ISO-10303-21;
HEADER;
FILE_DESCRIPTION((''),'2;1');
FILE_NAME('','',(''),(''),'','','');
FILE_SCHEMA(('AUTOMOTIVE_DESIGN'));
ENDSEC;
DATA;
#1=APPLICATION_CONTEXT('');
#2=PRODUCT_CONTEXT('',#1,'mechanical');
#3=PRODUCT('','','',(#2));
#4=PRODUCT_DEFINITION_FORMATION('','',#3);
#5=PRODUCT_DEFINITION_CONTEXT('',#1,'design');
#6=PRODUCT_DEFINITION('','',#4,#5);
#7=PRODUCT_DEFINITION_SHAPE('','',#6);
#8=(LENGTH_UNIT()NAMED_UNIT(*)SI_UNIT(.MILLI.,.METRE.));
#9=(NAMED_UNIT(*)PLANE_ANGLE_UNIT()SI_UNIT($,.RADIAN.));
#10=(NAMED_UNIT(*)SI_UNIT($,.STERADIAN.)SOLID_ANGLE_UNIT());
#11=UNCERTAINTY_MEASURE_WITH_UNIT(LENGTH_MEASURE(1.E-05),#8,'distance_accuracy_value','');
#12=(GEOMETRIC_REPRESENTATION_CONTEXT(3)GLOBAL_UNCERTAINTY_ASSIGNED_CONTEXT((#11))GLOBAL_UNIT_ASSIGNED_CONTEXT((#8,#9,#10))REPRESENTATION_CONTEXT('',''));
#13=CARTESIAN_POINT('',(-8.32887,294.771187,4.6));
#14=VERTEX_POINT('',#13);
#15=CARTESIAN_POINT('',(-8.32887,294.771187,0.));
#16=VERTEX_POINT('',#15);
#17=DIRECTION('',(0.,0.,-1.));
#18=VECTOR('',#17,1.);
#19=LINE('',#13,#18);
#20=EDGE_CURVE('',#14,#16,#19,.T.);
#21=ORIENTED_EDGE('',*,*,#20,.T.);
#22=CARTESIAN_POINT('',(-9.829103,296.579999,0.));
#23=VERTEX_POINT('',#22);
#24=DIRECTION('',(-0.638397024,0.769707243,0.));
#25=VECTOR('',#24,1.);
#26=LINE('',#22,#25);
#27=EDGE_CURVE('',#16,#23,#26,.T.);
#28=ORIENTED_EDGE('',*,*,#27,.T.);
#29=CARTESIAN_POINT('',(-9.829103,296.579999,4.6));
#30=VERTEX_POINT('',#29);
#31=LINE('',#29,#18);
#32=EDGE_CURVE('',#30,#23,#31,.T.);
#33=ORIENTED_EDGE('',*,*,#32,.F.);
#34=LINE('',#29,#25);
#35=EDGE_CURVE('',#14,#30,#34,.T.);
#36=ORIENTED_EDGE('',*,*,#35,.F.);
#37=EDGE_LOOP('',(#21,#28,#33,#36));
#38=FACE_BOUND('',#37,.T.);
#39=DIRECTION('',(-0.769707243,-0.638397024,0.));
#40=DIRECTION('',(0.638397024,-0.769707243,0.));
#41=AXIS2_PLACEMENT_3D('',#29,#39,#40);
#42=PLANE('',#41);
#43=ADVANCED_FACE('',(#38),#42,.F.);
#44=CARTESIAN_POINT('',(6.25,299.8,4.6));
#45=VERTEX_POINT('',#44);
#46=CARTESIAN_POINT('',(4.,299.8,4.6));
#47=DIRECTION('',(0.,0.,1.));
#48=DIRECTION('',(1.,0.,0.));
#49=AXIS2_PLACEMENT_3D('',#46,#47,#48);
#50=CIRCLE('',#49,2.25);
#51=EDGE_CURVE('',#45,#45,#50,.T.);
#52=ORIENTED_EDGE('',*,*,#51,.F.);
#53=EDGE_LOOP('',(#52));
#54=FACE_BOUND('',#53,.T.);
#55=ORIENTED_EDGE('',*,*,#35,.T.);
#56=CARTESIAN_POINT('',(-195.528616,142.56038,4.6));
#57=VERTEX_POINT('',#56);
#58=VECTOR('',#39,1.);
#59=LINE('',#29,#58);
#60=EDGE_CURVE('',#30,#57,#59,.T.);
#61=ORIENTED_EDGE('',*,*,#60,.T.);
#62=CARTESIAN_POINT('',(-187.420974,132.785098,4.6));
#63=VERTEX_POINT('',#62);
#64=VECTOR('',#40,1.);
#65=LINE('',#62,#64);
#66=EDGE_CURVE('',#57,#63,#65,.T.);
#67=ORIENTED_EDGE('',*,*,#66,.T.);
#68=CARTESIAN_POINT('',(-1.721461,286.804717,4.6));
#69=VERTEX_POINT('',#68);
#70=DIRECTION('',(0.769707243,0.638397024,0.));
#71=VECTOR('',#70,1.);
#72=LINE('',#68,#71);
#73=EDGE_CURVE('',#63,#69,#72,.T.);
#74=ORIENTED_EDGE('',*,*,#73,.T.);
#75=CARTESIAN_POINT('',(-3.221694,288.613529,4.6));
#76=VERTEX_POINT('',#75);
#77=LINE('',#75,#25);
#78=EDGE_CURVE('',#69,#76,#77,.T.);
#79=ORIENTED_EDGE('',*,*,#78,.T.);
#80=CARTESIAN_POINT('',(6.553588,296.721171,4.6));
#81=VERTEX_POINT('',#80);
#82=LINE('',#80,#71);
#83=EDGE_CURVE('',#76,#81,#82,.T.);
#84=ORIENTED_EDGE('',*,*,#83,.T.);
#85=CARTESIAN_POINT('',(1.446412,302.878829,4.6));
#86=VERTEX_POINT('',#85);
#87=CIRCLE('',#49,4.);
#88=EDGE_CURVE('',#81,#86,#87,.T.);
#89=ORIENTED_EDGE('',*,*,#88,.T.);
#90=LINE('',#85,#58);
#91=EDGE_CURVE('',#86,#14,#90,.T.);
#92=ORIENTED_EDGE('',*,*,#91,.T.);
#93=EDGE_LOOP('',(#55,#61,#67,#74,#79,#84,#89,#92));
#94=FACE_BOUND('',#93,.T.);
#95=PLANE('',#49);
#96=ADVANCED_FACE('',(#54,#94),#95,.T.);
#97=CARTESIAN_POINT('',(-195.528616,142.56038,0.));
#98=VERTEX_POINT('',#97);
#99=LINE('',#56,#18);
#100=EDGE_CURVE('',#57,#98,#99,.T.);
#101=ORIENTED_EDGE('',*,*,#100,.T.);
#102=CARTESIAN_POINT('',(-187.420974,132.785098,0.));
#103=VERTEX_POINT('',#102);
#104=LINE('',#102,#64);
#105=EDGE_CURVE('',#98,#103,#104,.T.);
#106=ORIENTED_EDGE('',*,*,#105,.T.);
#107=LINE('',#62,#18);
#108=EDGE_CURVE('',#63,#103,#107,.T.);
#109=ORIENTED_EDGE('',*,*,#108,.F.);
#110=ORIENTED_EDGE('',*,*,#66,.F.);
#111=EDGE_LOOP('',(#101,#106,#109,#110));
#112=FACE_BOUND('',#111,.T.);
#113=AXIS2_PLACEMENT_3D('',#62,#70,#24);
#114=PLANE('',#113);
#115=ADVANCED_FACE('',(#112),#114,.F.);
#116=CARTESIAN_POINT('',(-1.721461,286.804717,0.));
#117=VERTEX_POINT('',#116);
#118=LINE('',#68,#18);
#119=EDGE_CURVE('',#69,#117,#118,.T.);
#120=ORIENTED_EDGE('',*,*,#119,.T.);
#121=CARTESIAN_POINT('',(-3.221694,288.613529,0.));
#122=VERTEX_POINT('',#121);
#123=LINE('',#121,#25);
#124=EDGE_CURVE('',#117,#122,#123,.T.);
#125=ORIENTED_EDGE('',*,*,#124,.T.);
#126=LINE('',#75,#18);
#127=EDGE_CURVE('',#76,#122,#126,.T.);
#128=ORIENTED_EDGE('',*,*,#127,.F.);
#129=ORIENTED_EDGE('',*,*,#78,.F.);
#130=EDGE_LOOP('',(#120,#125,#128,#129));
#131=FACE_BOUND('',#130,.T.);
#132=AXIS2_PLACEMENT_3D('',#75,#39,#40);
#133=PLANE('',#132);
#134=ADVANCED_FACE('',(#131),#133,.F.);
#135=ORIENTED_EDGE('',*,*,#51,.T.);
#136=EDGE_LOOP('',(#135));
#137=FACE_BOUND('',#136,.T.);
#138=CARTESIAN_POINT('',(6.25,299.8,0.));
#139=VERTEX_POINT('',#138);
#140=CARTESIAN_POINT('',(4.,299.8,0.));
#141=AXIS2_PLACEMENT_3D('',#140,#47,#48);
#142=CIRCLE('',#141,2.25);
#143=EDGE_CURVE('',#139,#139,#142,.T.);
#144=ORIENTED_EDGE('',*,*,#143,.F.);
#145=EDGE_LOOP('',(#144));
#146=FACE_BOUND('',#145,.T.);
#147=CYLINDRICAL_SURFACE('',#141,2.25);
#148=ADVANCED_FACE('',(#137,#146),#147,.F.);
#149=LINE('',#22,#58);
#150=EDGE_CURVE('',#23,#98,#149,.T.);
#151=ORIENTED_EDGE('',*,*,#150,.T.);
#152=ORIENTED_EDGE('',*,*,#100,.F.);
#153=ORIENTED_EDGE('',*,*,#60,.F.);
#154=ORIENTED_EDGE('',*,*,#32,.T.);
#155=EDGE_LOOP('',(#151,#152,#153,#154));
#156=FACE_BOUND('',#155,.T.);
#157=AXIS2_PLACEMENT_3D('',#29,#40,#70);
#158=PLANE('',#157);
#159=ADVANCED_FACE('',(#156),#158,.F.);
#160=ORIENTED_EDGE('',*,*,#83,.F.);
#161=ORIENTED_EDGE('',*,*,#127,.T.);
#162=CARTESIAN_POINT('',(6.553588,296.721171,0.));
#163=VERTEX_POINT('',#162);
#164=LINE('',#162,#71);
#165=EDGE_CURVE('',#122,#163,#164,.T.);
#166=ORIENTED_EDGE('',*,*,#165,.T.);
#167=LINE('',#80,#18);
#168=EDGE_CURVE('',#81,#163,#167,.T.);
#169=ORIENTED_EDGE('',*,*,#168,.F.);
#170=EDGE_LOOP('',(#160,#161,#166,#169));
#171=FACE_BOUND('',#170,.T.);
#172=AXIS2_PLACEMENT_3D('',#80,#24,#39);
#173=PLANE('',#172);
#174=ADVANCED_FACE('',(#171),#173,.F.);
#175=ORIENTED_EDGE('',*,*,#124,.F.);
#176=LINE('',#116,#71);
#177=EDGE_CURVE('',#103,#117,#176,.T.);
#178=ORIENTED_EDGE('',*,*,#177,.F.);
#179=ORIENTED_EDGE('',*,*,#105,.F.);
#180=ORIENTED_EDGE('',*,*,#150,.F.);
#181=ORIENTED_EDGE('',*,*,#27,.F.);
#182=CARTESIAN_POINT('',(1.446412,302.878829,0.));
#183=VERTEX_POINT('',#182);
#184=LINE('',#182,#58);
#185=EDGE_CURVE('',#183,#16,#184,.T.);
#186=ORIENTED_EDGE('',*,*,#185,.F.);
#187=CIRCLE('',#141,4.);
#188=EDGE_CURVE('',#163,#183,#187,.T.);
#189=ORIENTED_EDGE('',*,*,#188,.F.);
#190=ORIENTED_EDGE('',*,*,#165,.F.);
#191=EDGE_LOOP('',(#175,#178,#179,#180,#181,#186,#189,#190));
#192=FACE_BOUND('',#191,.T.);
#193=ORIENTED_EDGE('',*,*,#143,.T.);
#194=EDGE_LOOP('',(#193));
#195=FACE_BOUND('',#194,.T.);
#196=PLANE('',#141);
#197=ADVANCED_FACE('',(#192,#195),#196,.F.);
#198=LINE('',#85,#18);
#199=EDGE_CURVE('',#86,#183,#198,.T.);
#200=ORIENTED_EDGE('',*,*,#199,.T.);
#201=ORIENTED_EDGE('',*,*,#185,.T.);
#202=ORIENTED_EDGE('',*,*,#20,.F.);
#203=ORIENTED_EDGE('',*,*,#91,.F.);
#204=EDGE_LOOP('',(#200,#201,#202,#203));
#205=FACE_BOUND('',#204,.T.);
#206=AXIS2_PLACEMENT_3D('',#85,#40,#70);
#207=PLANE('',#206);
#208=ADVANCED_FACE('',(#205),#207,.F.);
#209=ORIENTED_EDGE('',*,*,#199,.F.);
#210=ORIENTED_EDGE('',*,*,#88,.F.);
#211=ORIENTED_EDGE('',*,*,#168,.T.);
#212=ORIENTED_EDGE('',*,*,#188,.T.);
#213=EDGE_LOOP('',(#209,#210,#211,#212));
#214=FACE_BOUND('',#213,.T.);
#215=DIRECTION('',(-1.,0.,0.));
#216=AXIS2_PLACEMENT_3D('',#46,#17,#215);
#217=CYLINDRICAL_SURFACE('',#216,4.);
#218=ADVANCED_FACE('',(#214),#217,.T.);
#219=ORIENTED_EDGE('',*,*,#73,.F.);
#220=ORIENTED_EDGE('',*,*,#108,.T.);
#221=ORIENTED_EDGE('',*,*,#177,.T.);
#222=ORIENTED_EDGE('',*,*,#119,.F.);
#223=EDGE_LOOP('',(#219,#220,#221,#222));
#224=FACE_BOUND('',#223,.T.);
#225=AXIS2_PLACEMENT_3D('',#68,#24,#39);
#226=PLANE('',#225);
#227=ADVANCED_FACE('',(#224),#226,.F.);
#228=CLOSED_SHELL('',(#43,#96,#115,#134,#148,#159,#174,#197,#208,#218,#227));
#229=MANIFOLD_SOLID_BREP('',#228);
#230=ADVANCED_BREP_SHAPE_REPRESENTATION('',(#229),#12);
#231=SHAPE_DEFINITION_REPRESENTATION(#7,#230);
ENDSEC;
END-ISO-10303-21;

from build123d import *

# Parameters (mm, degrees)
BOSS_EXTRUDE1_DEPTH = 4.6
SKETCH2_R           = 2.25
CUT_EXTRUDE1_DEPTH  = 362.31293858


with BuildPart() as part:
    # Sketch1 → Boss-Extrude1 (new body)
    with BuildSketch(Plane.XY):
        with BuildLine():
            Line((6.553588095, 296.721171027), (-3.221693894, 288.613528827))
            Line((-3.221693894, 288.613528827), (-1.721460888, 286.804716805))
            Line((-1.721460888, 286.804716805), (-187.42097357, 132.785097993))
            Line((-187.42097357, 132.785097993), (-195.528615771, 142.560379981))
            Line((-195.528615771, 142.560379981), (-9.829103088, 296.579998794))
            Line((-9.829103088, 296.579998794), (-8.328870083, 294.771186772))
            Line((-8.328870083, 294.771186772), (1.446411905, 302.878828973))
            ThreePointArc((1.446411905, 302.878828973), (7.078828973, 302.353588095), (6.553588095, 296.721171027))
        make_face()
    extrude(amount=BOSS_EXTRUDE1_DEPTH)

    # Sketch2 → Cut-Extrude1 (cut, through all)
    with BuildSketch(Plane.XY.offset(4.6)):
        with Locations((4, 299.8)):
            Circle(SKETCH2_R)
    extrude(amount=-CUT_EXTRUDE1_DEPTH, mode=Mode.SUBTRACT)


solid = part.part
